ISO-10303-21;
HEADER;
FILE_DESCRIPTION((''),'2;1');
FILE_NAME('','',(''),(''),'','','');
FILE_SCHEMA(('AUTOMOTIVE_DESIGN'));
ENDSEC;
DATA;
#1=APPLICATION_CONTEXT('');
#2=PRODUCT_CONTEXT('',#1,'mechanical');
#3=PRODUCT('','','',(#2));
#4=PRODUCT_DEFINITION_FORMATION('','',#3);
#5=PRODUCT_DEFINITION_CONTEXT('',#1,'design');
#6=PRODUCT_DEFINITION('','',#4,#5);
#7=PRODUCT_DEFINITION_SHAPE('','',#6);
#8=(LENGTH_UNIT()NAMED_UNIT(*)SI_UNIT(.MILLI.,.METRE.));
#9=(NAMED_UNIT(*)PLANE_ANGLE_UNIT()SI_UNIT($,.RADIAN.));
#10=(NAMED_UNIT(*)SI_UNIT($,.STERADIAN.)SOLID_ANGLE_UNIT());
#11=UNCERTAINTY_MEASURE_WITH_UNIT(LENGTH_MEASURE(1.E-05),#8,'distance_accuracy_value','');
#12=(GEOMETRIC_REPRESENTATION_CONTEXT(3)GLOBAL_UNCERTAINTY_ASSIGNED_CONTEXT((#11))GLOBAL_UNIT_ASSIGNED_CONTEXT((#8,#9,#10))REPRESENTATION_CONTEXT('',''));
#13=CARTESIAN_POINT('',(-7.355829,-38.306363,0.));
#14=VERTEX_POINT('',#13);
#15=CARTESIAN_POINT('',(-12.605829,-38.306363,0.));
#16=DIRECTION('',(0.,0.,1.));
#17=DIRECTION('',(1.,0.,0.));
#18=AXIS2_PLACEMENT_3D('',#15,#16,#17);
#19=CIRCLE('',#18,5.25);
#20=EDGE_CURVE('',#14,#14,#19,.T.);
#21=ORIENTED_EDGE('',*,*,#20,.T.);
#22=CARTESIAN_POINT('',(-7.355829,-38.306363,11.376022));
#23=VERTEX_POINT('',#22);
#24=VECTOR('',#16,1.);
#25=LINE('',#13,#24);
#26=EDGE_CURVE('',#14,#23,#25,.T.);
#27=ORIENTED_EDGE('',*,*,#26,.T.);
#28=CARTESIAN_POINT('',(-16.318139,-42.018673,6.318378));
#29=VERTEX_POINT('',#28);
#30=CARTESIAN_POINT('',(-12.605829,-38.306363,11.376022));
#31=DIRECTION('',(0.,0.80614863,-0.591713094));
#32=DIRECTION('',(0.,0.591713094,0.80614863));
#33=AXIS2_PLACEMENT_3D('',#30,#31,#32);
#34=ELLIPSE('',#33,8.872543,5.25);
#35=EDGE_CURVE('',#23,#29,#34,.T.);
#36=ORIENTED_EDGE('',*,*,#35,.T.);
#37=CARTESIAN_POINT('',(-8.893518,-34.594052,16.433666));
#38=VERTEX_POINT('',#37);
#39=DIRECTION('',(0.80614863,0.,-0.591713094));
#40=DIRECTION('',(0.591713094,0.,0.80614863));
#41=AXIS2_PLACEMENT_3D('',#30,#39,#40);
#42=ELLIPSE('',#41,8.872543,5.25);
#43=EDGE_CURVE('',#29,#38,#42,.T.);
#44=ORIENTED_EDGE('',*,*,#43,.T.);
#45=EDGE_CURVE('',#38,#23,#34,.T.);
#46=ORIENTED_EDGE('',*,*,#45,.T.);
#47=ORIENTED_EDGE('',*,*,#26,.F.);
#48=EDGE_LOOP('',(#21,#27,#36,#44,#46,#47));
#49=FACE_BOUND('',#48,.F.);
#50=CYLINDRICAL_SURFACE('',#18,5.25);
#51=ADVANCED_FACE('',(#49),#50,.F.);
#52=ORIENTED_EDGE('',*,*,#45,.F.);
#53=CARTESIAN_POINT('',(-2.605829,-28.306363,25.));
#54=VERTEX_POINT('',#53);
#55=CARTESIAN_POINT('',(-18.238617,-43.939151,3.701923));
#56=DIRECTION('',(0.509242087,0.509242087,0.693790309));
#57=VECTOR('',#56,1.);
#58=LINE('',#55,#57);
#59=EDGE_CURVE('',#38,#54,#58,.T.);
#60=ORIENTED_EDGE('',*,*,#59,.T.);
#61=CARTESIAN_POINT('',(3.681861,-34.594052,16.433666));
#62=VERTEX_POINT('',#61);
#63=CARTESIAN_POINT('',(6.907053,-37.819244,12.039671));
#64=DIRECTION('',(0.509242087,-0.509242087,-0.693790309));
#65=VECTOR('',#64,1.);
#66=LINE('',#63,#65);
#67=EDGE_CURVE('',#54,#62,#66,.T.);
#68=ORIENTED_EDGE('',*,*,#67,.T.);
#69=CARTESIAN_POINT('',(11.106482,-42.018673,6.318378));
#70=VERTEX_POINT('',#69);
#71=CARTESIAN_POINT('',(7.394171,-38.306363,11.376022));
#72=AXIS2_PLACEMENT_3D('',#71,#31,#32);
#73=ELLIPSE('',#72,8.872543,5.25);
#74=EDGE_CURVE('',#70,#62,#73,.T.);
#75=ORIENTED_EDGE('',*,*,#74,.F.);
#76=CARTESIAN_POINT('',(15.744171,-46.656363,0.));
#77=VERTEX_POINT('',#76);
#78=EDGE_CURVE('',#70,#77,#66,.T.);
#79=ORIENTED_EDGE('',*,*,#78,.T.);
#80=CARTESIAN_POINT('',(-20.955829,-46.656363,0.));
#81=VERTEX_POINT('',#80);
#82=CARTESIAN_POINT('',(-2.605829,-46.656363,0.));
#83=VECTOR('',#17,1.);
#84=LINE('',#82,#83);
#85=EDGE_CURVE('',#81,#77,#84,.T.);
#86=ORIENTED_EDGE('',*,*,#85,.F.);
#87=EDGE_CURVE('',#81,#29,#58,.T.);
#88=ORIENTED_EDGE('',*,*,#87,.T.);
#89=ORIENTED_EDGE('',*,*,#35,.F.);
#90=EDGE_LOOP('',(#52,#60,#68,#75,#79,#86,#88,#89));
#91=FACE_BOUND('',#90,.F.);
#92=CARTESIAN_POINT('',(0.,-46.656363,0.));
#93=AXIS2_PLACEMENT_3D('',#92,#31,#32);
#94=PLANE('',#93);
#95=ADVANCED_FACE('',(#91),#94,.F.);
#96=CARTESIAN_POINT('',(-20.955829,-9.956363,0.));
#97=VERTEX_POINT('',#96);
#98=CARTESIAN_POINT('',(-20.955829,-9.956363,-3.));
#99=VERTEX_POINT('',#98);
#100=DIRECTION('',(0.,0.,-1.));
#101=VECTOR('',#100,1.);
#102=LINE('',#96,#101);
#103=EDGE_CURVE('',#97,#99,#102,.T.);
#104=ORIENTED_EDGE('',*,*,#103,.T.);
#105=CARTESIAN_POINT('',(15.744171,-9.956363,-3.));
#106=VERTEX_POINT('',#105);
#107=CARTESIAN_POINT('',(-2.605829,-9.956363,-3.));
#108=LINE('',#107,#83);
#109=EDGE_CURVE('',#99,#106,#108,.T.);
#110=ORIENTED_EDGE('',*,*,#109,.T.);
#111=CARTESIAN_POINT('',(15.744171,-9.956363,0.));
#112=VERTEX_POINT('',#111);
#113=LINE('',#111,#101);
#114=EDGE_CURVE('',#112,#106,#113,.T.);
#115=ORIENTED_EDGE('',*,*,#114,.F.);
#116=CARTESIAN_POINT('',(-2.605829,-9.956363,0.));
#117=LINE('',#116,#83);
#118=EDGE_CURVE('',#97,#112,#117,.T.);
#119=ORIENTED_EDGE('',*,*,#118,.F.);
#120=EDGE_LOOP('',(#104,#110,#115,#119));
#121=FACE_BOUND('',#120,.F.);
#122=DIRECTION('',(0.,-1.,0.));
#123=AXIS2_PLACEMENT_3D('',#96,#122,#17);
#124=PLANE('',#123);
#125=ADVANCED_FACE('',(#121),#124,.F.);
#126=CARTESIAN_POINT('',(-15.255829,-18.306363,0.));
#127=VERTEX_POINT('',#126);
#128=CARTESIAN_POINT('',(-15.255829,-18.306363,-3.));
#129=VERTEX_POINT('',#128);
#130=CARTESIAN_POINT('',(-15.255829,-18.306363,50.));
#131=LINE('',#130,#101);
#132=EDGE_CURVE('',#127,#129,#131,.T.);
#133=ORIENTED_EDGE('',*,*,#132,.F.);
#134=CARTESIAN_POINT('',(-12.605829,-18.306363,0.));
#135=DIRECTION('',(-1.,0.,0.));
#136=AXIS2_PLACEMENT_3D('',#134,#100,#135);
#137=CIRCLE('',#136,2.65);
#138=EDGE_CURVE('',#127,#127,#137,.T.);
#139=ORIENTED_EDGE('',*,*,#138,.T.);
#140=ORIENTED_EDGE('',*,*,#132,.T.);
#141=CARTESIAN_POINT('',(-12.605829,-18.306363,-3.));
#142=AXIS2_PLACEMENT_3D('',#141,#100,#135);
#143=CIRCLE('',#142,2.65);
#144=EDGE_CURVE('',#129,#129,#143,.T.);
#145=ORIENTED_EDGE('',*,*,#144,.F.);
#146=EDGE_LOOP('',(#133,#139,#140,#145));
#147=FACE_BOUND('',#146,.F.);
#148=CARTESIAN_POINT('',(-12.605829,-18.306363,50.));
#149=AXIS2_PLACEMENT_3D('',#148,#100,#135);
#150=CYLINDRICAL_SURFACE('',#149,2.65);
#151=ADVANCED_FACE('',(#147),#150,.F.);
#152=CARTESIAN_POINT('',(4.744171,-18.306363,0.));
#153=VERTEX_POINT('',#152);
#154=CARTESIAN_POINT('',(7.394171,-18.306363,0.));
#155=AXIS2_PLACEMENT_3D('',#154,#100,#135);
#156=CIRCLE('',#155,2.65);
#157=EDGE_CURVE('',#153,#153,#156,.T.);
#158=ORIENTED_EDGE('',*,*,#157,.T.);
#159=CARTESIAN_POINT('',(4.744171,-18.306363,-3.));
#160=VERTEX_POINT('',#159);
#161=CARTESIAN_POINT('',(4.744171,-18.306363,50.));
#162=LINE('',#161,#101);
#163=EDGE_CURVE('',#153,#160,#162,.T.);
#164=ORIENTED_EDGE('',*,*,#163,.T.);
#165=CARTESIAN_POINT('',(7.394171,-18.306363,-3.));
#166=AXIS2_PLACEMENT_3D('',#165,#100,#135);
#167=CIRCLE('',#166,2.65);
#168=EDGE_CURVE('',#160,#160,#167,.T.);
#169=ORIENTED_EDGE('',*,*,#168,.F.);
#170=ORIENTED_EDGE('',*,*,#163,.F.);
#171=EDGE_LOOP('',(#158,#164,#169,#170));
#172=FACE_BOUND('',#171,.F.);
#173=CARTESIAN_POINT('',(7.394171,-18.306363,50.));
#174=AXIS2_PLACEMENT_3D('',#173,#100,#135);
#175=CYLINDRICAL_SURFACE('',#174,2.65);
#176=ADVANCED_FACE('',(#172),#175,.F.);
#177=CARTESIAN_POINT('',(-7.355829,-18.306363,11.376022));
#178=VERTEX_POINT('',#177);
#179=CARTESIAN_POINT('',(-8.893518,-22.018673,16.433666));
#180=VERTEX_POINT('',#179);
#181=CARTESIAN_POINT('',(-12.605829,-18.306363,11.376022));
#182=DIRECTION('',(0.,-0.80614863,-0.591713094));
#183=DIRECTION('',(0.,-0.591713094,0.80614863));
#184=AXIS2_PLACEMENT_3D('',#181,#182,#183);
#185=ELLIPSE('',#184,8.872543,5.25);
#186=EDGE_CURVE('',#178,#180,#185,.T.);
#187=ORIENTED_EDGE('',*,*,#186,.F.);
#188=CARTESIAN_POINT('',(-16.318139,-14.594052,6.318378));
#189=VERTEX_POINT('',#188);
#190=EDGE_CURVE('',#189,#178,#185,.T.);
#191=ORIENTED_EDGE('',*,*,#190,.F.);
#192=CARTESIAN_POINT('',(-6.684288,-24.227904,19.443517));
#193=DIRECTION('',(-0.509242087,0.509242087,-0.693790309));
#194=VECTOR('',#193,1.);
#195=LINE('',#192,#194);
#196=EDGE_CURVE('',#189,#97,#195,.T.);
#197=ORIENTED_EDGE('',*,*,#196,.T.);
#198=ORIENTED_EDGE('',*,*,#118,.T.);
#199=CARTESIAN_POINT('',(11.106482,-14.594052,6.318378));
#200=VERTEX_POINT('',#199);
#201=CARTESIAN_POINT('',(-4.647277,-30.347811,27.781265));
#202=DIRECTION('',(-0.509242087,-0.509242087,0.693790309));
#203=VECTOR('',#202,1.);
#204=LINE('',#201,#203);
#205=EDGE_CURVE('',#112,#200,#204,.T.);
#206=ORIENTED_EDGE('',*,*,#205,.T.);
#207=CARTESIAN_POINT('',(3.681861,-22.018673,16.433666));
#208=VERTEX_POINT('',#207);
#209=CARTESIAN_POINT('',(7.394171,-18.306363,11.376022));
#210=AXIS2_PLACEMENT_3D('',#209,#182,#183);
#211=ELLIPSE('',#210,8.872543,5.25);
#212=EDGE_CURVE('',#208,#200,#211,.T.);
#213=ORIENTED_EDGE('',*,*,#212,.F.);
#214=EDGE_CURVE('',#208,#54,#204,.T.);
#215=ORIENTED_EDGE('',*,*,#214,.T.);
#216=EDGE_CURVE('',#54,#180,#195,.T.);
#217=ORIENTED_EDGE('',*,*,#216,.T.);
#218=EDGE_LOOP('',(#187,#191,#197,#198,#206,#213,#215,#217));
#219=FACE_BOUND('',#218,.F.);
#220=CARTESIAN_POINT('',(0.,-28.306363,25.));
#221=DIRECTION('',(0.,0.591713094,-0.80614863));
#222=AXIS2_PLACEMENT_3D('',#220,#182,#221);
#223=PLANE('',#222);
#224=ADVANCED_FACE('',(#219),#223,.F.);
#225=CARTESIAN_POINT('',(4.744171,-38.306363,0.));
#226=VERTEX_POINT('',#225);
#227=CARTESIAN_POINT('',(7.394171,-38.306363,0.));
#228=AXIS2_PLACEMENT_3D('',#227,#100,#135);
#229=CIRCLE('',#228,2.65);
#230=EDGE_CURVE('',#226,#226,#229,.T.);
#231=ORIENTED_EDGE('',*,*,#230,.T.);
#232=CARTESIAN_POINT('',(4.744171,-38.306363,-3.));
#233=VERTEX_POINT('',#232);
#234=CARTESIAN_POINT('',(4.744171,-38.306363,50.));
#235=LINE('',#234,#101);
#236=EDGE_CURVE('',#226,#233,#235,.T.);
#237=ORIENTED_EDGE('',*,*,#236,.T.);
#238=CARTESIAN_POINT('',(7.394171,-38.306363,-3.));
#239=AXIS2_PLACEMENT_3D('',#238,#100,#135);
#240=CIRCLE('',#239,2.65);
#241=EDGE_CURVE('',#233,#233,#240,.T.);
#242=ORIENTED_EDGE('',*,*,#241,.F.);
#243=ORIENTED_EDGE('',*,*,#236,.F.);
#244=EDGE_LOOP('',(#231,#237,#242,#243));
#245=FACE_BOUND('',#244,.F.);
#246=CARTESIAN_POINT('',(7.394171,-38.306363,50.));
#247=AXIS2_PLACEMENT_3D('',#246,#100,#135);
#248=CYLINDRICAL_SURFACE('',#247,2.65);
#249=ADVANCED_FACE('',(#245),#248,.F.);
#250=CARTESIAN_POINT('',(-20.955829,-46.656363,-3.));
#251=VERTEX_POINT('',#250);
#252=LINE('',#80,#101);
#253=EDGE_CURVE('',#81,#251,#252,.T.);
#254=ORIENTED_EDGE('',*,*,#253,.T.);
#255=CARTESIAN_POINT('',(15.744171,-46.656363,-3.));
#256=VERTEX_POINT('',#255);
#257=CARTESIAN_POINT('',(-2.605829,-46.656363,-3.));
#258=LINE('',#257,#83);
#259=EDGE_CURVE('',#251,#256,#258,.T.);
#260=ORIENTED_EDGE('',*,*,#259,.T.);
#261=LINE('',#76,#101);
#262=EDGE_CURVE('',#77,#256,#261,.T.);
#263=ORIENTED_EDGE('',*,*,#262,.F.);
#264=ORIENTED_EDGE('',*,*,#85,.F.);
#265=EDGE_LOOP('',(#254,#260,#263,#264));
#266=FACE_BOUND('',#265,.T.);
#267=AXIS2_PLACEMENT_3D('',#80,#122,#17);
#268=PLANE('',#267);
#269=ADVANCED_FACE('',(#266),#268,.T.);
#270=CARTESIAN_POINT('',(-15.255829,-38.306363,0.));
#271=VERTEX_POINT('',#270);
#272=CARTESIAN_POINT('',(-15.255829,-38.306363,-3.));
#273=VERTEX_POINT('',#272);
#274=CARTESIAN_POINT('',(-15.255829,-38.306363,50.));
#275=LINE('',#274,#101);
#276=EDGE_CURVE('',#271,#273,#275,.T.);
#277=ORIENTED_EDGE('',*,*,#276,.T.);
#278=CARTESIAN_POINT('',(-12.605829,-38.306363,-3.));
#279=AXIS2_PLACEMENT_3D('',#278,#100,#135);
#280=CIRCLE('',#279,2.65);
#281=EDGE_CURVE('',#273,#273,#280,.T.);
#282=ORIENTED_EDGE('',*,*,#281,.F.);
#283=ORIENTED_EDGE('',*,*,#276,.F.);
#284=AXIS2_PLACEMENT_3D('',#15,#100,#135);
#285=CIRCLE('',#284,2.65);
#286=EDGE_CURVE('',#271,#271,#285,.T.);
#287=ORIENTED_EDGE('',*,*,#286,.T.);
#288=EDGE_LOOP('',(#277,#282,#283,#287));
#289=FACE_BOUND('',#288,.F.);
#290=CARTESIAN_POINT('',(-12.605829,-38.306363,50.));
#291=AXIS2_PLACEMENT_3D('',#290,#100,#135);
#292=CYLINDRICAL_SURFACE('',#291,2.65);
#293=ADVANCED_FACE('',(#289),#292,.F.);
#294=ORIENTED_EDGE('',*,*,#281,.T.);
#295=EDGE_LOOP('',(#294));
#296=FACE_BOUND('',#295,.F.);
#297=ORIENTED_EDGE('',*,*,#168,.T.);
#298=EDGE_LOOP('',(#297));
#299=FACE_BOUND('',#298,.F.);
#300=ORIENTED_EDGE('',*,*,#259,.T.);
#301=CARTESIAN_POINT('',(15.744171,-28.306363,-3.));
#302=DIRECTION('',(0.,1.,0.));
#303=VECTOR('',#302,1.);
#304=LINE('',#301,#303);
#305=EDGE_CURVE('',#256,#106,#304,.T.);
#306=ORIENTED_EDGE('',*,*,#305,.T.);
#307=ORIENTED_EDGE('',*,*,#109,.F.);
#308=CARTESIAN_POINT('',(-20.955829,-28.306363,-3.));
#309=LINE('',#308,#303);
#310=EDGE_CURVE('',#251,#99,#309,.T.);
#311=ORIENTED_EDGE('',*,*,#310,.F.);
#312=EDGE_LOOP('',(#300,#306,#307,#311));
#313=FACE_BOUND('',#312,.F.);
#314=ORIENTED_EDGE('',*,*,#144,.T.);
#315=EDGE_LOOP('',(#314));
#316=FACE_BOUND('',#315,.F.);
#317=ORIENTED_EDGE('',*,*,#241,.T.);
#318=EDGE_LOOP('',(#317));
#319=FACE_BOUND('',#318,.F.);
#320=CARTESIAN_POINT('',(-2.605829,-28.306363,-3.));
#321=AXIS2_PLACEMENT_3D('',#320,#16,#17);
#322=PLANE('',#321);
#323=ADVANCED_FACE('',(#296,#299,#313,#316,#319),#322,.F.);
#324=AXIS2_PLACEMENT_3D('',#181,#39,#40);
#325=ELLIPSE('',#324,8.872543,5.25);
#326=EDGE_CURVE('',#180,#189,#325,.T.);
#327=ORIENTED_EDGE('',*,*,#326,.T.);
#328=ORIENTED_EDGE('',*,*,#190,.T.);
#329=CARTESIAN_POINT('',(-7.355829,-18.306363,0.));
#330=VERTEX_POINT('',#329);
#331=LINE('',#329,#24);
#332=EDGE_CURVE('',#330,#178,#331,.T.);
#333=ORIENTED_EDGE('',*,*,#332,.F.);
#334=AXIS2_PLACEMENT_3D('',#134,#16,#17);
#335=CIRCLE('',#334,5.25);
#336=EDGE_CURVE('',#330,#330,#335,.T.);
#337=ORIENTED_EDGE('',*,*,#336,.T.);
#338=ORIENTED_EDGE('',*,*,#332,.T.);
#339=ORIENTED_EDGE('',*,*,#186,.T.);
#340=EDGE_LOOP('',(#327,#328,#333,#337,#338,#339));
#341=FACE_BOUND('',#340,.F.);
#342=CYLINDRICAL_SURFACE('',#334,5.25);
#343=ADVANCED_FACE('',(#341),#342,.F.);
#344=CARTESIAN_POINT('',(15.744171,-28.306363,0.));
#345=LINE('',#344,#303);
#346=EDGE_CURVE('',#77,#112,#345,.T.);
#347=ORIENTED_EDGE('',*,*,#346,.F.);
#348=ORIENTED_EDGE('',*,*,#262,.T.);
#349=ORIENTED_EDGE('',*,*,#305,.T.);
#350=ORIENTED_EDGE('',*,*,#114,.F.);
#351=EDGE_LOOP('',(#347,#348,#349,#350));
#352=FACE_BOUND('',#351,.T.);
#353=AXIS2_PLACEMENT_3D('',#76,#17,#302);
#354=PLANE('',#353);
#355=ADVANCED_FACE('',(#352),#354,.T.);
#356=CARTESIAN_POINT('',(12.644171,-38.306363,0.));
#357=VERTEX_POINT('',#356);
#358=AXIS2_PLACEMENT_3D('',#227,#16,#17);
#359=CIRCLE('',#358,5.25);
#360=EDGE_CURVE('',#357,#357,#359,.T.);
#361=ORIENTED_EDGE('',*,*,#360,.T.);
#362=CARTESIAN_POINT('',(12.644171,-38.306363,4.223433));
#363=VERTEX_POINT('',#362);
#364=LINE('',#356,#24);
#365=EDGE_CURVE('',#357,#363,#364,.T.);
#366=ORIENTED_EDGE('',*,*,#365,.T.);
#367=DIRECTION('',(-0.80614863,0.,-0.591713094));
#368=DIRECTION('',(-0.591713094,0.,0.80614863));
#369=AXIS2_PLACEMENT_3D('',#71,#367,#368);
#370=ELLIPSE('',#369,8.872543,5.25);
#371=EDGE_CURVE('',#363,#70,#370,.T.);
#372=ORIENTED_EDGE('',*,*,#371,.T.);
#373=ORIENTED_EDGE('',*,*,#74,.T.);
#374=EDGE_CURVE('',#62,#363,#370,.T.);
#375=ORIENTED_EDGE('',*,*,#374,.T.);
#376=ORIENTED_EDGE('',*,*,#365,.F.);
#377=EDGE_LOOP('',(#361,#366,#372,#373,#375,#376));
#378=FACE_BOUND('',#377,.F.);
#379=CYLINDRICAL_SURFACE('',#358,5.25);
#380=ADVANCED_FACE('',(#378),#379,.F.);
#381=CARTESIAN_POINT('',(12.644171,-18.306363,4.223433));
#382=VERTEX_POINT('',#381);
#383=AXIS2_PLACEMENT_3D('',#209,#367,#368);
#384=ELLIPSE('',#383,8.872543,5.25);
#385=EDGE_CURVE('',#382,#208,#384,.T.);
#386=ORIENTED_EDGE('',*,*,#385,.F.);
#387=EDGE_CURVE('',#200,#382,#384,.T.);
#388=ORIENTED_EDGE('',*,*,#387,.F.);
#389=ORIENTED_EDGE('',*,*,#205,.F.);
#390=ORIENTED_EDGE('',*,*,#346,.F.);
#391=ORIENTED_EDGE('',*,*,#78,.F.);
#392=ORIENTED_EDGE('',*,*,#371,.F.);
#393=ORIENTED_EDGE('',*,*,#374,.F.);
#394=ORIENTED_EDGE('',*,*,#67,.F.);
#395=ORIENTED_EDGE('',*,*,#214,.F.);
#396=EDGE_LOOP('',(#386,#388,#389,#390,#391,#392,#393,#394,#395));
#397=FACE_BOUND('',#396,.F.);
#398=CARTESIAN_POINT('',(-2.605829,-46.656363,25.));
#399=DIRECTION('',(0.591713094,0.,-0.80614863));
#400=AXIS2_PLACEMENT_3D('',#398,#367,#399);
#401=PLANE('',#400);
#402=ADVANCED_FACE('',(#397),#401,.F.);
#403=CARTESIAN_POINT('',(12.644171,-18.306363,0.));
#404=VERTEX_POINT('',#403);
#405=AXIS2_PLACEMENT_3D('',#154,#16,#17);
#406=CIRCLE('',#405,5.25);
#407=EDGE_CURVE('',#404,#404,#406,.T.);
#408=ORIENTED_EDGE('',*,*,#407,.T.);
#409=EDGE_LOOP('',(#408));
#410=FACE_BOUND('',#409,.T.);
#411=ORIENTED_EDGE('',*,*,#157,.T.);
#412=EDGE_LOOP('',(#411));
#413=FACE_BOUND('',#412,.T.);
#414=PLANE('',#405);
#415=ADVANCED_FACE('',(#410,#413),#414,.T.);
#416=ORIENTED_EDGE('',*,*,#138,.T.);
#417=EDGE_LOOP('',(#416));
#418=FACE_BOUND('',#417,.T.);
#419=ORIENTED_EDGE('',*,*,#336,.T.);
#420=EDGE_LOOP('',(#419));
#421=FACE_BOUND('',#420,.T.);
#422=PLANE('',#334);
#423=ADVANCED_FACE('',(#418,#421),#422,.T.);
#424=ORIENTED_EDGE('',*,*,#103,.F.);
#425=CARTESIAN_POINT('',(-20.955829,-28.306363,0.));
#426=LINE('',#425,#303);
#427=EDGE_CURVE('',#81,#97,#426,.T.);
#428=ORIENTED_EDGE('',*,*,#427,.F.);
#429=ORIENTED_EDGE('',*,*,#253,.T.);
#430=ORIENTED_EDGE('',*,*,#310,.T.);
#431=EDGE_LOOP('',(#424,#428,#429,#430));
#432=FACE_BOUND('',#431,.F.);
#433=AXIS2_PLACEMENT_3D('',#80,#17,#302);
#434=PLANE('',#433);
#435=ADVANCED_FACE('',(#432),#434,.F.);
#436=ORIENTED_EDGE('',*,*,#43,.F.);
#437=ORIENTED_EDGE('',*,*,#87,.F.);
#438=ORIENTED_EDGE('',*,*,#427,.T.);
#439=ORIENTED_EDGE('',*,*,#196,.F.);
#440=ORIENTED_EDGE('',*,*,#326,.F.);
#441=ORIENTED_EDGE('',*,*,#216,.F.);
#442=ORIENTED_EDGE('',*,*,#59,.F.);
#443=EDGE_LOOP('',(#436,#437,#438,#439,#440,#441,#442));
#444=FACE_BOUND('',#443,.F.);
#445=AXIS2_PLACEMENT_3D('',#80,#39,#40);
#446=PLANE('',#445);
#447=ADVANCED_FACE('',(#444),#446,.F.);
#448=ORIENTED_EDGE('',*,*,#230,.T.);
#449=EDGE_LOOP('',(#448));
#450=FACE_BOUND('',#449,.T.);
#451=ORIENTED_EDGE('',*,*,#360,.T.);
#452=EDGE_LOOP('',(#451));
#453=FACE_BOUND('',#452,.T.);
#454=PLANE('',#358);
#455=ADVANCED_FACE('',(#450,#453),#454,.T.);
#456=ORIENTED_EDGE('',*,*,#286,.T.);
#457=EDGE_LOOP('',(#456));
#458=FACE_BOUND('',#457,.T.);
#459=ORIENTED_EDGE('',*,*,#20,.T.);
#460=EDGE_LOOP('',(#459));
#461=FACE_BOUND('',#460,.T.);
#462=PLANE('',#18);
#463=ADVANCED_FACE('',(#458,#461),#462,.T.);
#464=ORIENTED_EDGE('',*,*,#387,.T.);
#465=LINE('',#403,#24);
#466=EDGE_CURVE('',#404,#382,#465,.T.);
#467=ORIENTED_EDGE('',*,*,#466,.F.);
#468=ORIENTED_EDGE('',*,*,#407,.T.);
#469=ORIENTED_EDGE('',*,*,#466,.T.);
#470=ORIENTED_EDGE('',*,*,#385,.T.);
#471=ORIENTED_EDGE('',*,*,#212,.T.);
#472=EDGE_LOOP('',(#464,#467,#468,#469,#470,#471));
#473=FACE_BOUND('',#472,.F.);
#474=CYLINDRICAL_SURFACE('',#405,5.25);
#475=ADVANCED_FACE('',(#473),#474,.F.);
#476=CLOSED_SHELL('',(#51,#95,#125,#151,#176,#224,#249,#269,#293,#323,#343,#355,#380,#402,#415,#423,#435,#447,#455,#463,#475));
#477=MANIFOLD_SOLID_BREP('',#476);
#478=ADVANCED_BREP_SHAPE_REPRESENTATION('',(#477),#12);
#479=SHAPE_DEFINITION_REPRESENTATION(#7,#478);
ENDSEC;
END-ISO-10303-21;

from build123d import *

# Parameters (mm, degrees)
F0_W           = 36.7
F0_H           = 36.7
F0_R           = 5.25
F0_R_2         = 2.65
F1_DEPTH       = 25
F3_DEPTH       = 36.701
F5_DEPTH       = 43.2
F6_DEPTH       = 3
F9_D           = 5.3
F9_DEPTH       = 55
F9_CBORE_D     = 10.5
F9_CBORE_DEPTH = 50
F9_TIP         = 1.5922806404


with BuildPart() as f1:
    # F0 (on Top) → F1 (new body)
    with BuildSketch(Plane.XY):
        with Locations((-2.6058288604, -28.3063627124)):
            Rectangle(F0_W, F0_H)
        with Locations((-12.6058288604, -38.3063627124)):
            Circle(F0_R, mode=Mode.SUBTRACT)
        with Locations((7.3941711396, -38.3063627124)):
            Circle(F0_R, mode=Mode.SUBTRACT)
        with Locations((-12.6058288604, -18.3063627124)):
            Circle(F0_R, mode=Mode.SUBTRACT)
        with Locations((7.3941711396, -18.3063627124)):
            Circle(F0_R, mode=Mode.SUBTRACT)
        with Locations((-12.6058288604, -38.3063627124)):
            Circle(F0_R)
        with Locations((-12.6058288604, -38.3063627124)):
            Circle(F0_R_2, mode=Mode.SUBTRACT)
        with Locations((-12.6058288604, -38.3063627124)):
            Circle(F0_R_2)
        with Locations((7.3941711396, -38.3063627124)):
            Circle(F0_R)
        with Locations((7.3941711396, -38.3063627124)):
            Circle(F0_R_2, mode=Mode.SUBTRACT)
        with Locations((7.3941711396, -38.3063627124)):
            Circle(F0_R_2)
        with Locations((7.3941711396, -18.3063627124)):
            Circle(F0_R)
        with Locations((7.3941711396, -18.3063627124)):
            Circle(F0_R_2, mode=Mode.SUBTRACT)
        with Locations((7.3941711396, -18.3063627124)):
            Circle(F0_R_2)
        with Locations((-12.6058288604, -18.3063627124)):
            Circle(F0_R)
        with Locations((-12.6058288604, -18.3063627124)):
            Circle(F0_R_2, mode=Mode.SUBTRACT)
        with Locations((-12.6058288604, -18.3063627124)):
            Circle(F0_R_2)
    extrude(amount=F1_DEPTH)

    # F2 (on face) → F3 (cut, through all)
    with BuildSketch(Plane.XZ.offset(46.6563627124)):
        Polygon((-20.9558288604, 0), (-2.6058288604, 25), (-20.9558288604, 25), align=None)
        Polygon((15.7441711396, 25), (-2.6058288604, 25), (15.7441711396, 0), align=None)
    extrude(amount=-F3_DEPTH, mode=Mode.SUBTRACT)

    # F4 (on Right) → F5 (cut, symmetric)
    with BuildSketch(Plane.YZ):
        Polygon((-46.6563627124, 0), (-28.3063627124, 25), (-46.6563627124, 25), align=None)
        Polygon((-9.9563627124, 25), (-28.3063627124, 25), (-9.9563627124, 0), align=None)
    extrude(amount=F5_DEPTH, both=True, mode=Mode.SUBTRACT)

    # F6 (add): a face of the model
    f6_faces = [f1.faces().sort_by_distance(p)[0] for p in [
        (-2.6058288604, -28.3063627124, 0),
    ]]
    extrude(f6_faces, amount=F6_DEPTH)

    # F9
    with Locations(Plane.XY.offset(50)):
        with Locations((-12.6058288604, -38.3063627124), (-12.6058288604, -18.3063627124), (7.3941711396, -18.3063627124), (7.3941711396, -38.3063627124)):
            CounterBoreHole(F9_D / 2, F9_CBORE_D / 2, F9_CBORE_DEPTH, depth=F9_DEPTH)
            with Locations((0, 0, -(F9_DEPTH + F9_TIP / 2))):  # 118° drill point
                Cone(0, F9_D / 2, F9_TIP, mode=Mode.SUBTRACT)


solid = f1.part
